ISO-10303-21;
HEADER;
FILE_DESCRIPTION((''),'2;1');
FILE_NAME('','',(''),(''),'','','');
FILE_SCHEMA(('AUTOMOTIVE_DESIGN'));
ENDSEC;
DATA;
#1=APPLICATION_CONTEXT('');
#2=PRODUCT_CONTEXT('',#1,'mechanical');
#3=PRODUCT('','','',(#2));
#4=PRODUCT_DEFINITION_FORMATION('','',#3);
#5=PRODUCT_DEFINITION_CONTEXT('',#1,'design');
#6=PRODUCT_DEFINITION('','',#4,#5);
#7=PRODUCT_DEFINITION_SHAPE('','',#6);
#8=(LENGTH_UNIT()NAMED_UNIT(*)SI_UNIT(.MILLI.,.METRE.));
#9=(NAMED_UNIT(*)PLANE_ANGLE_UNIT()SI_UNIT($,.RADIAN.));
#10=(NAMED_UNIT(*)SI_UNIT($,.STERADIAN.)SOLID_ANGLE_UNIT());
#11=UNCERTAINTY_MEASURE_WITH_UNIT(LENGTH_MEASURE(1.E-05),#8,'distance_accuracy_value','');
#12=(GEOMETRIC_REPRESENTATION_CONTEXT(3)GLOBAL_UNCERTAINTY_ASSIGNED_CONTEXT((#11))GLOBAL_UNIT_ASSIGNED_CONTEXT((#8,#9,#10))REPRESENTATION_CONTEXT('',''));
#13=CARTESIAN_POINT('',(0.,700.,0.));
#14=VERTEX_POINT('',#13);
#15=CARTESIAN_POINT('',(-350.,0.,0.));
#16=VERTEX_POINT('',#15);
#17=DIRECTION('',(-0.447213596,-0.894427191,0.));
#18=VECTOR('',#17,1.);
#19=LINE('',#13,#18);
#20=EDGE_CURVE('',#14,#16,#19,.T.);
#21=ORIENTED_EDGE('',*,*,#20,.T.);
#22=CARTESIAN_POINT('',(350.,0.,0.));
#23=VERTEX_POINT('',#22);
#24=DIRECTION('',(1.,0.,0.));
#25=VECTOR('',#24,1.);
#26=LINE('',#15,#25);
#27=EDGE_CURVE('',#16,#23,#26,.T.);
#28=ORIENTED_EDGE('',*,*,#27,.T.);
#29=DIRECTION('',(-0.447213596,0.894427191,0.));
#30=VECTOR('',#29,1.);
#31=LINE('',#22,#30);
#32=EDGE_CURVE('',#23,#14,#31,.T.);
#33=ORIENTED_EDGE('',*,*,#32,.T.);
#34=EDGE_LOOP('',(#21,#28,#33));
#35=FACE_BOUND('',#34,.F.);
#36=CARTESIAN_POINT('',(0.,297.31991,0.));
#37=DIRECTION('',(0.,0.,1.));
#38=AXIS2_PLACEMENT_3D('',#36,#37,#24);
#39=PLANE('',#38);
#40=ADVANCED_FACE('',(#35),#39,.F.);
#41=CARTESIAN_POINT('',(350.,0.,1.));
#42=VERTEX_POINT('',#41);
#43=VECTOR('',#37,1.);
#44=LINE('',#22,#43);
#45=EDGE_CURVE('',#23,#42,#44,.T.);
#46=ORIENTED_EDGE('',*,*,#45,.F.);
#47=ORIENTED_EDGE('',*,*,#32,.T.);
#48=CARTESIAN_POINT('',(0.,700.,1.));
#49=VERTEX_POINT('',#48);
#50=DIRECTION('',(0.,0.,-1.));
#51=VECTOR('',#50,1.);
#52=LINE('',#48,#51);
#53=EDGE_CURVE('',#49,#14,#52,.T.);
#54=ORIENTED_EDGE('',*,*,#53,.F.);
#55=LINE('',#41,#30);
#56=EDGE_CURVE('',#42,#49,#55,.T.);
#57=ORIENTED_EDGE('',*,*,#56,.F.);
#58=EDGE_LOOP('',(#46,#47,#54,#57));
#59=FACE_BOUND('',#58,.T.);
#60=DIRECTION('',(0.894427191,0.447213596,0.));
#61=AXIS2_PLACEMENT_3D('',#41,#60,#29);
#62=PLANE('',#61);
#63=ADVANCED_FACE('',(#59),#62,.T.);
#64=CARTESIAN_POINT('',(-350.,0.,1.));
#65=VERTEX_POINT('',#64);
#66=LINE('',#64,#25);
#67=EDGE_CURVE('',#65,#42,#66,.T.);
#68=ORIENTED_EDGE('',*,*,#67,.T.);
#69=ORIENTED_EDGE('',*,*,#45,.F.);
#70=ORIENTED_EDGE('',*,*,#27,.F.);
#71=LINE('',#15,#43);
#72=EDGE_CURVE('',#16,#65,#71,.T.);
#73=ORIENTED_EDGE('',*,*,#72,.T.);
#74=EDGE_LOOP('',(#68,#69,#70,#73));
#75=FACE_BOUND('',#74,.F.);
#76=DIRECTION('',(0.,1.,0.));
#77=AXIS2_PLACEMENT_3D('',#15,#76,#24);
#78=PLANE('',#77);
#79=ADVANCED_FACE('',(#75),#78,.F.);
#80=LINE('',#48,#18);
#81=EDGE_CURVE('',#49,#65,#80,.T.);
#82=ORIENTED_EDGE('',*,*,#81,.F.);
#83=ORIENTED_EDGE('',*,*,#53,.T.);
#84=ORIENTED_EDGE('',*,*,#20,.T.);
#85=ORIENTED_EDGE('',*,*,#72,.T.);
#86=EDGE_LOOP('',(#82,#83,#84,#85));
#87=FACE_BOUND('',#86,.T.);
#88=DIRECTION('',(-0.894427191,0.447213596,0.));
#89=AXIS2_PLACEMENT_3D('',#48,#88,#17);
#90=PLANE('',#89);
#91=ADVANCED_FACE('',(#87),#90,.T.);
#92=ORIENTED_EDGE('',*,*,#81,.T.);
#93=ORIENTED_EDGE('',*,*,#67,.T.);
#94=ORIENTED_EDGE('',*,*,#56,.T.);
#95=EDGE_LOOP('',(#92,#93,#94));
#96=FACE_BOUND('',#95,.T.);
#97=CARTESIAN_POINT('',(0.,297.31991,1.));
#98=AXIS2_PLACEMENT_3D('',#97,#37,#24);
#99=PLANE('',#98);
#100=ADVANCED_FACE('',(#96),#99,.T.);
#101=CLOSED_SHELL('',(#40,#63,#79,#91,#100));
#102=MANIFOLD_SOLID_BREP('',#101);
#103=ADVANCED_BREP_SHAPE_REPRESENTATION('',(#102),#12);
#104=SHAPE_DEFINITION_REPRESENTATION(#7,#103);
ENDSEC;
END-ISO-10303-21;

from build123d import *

# Parameters (mm, degrees)
PAD_DEPTH    = 1
PAD001_DEPTH = 1


with BuildPart() as part:
    # Sketch → Pad (new body)
    with BuildSketch(Plane.XY):
        Polygon((-350, 0), (0, 450), (350, 0), (0, 0), align=None)
    extrude(amount=PAD_DEPTH)

    # Sketch001 (on Face6 of Pad) → Pad001 (join)
    with BuildSketch(Plane.XY.offset(1)):
        Polygon((-350, 0), (0, 450), (350, 0), (0, 700), align=None)
    extrude(amount=-PAD001_DEPTH)


solid = part.part
